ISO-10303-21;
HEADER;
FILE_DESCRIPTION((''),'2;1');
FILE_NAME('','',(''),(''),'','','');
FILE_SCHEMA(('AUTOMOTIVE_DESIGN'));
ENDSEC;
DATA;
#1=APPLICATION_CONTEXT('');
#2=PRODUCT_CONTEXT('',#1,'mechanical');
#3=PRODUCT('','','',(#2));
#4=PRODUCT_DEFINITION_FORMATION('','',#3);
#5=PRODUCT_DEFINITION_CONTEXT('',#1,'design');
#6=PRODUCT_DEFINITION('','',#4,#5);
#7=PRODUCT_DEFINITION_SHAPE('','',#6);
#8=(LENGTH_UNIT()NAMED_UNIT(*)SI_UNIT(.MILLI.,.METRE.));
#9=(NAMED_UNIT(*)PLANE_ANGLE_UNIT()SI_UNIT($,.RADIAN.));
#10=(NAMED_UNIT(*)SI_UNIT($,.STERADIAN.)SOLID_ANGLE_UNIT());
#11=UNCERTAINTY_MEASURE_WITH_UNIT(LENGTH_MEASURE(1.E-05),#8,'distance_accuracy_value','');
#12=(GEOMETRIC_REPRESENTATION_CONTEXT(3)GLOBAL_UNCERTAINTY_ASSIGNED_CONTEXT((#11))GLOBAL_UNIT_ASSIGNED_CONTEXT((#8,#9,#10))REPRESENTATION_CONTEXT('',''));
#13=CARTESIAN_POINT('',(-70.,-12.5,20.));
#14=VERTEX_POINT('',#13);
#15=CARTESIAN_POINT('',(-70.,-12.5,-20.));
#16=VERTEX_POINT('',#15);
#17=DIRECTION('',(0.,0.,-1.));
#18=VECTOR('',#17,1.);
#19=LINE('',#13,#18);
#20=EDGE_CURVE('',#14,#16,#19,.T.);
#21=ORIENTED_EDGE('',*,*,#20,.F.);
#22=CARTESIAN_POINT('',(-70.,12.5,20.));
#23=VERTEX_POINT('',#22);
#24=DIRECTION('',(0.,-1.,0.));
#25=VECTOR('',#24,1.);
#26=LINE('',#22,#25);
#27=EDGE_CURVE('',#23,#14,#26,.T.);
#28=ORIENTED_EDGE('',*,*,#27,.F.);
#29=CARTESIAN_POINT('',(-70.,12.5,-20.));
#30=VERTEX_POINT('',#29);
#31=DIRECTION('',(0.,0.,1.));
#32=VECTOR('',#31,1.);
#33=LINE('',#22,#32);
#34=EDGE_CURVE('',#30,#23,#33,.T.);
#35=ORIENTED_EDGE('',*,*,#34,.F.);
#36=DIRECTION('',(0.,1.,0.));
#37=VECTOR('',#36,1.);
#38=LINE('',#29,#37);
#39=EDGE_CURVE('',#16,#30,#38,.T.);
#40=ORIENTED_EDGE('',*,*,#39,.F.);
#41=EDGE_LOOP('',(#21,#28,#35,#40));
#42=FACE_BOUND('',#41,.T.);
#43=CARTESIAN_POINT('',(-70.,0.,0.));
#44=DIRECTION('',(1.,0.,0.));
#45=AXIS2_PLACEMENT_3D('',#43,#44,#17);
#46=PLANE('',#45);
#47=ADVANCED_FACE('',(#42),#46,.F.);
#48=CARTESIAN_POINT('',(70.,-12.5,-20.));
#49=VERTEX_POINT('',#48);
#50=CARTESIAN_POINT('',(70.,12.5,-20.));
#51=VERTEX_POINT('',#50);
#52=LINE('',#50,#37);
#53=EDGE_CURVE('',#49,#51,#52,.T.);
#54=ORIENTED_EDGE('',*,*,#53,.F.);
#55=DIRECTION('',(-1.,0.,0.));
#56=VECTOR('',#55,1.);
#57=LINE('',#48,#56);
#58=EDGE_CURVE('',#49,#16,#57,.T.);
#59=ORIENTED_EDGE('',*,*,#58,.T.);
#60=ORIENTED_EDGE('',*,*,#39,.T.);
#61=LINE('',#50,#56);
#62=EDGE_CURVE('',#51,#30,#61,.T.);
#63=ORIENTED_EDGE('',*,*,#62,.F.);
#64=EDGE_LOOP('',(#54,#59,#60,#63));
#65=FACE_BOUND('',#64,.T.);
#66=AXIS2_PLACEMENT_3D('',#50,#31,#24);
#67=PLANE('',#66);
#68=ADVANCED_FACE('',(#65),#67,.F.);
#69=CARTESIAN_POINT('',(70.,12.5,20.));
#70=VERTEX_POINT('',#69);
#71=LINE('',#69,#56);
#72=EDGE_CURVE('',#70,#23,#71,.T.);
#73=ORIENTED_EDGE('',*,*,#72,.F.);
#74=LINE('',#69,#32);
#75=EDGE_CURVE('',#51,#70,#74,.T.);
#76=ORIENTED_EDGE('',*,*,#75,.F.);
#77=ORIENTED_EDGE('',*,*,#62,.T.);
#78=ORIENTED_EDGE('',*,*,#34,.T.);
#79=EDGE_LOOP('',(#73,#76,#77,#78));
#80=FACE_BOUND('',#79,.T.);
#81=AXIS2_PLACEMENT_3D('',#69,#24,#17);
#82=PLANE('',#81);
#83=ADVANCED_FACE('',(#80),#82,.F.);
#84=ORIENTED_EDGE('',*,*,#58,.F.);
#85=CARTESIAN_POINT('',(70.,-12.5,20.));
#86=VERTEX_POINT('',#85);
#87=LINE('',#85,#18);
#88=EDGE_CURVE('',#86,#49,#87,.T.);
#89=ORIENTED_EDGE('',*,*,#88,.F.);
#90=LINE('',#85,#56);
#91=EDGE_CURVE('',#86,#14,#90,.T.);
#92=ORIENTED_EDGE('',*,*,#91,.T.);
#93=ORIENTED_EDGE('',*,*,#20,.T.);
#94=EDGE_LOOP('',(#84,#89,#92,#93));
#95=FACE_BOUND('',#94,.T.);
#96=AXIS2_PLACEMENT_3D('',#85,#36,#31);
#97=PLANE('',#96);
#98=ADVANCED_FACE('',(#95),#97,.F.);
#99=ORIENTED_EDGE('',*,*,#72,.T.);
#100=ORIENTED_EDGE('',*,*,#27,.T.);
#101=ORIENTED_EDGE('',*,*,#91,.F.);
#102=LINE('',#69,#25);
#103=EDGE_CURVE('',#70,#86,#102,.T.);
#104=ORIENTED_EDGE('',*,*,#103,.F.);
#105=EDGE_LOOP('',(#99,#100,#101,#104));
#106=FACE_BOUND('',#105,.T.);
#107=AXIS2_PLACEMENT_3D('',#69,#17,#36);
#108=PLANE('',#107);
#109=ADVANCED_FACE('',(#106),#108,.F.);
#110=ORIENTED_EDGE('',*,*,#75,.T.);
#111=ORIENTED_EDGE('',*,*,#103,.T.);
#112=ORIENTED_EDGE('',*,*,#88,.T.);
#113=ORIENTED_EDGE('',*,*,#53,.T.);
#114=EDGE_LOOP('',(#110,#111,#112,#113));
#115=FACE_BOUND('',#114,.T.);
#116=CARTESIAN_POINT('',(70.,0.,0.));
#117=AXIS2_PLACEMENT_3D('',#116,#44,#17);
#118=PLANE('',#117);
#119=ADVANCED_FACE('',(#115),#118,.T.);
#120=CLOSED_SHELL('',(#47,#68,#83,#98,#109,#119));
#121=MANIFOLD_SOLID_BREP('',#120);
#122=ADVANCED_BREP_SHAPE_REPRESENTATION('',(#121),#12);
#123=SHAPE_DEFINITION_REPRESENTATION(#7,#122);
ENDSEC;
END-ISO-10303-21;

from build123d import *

# Parameters (mm, degrees)
SKETCH1_W           = 40
SKETCH1_H           = 25
BOSS_EXTRUDE1_DEPTH = 70


with BuildPart() as part:
    # Sketch1 → Boss-Extrude1 (new, symmetric)
    with BuildSketch(Plane(origin=(0, 0, 0), x_dir=(0, 0, -1), z_dir=(1, 0, 0))):
        Rectangle(SKETCH1_W, SKETCH1_H)
    extrude(amount=BOSS_EXTRUDE1_DEPTH, both=True)


solid = part.part
